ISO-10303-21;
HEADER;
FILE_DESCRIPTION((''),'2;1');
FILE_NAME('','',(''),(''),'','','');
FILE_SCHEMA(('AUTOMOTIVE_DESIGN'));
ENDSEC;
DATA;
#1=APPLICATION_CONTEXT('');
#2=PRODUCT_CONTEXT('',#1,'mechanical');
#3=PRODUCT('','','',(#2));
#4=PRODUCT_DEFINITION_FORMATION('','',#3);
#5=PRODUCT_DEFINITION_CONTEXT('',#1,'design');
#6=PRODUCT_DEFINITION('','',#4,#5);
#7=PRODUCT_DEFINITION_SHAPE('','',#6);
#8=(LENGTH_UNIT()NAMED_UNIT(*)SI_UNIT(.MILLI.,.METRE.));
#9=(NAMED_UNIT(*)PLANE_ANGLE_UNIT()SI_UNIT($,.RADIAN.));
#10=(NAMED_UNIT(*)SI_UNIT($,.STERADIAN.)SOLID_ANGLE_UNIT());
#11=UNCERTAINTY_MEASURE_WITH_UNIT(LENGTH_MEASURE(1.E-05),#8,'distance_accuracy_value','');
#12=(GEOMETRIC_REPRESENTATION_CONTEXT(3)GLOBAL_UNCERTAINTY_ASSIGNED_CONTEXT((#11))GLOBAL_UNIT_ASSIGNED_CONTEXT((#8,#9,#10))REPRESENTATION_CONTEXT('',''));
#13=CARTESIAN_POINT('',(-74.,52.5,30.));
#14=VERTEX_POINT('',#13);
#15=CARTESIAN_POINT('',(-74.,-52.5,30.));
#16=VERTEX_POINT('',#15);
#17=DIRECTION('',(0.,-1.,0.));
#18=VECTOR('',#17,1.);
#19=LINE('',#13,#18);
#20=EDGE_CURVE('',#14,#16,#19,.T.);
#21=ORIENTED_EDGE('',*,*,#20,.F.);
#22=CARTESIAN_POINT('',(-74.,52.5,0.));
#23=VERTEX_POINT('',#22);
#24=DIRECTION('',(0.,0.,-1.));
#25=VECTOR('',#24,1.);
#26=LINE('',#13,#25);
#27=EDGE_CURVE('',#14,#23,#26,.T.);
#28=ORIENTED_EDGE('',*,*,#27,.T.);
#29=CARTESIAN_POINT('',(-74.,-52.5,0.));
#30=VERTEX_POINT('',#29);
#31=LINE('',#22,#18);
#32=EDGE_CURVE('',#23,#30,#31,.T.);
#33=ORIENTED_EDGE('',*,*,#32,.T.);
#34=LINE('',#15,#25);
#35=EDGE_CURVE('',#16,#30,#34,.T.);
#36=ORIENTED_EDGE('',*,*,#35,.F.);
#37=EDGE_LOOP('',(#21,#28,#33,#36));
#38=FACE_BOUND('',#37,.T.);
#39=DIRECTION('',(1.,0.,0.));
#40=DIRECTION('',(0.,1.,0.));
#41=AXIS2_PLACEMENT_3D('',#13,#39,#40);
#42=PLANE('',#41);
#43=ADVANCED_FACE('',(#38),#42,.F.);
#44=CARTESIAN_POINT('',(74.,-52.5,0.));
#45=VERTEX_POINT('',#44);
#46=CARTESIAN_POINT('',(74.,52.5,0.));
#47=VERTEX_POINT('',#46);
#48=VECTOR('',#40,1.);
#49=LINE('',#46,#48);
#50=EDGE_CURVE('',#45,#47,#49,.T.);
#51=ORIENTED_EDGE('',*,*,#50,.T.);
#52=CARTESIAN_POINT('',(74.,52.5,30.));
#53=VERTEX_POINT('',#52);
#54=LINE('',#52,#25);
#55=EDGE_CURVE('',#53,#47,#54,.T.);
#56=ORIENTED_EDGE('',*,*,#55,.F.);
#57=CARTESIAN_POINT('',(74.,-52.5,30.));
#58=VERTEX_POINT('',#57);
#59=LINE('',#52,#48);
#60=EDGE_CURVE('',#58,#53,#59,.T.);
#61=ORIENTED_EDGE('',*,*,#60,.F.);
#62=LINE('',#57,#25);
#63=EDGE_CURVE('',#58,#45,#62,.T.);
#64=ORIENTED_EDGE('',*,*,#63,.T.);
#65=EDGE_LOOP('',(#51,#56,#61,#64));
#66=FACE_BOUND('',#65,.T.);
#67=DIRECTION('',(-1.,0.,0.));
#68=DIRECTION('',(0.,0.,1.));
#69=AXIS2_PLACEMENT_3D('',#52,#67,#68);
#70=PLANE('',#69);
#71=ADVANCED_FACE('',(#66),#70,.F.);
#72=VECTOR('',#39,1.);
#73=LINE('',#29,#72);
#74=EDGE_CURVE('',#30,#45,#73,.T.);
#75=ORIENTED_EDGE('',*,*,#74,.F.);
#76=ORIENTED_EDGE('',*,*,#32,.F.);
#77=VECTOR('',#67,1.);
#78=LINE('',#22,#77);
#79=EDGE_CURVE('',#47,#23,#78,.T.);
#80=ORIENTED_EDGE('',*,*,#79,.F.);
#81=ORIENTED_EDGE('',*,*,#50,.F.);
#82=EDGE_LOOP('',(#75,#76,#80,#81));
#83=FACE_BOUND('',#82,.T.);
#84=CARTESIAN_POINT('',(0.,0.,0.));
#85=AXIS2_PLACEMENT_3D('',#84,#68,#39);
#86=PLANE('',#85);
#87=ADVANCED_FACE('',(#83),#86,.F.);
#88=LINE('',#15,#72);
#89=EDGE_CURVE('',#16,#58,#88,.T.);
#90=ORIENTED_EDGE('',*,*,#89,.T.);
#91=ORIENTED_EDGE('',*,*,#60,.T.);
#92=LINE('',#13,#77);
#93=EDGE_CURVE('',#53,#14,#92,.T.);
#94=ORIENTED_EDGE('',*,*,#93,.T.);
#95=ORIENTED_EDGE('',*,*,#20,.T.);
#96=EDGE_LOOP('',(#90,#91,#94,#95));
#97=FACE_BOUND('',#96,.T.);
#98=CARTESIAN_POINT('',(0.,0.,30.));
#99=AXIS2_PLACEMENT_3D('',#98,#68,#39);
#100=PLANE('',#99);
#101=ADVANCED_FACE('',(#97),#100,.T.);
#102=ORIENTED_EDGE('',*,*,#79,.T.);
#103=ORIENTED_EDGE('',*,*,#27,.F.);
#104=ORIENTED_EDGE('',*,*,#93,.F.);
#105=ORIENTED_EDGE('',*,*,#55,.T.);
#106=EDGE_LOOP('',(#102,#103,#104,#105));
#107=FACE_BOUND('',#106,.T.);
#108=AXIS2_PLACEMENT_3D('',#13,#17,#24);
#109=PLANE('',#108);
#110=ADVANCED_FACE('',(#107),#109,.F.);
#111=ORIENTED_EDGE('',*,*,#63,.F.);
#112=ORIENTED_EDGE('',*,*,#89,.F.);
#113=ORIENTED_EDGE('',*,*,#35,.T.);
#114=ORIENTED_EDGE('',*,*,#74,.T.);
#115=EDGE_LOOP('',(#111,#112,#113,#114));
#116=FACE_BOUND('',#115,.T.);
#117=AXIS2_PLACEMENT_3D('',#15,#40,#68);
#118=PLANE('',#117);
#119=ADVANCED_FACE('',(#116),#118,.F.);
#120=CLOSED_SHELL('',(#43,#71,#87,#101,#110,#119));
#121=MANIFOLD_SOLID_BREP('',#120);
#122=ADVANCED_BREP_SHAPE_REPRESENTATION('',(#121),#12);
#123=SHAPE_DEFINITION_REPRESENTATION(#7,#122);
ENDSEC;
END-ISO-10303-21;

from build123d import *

# Parameters (mm, degrees)
SKETCH_1_W      = 148
SKETCH_1_H      = 105
EXTRUDE_1_DEPTH = 30


with BuildPart() as part:
    # ｽｹｯﾁ1 → ﾎﾞｽ - 押し出し1 (new body)
    with BuildSketch(Plane.XY):
        Rectangle(SKETCH_1_W, SKETCH_1_H)
    extrude(amount=EXTRUDE_1_DEPTH)


solid = part.part
